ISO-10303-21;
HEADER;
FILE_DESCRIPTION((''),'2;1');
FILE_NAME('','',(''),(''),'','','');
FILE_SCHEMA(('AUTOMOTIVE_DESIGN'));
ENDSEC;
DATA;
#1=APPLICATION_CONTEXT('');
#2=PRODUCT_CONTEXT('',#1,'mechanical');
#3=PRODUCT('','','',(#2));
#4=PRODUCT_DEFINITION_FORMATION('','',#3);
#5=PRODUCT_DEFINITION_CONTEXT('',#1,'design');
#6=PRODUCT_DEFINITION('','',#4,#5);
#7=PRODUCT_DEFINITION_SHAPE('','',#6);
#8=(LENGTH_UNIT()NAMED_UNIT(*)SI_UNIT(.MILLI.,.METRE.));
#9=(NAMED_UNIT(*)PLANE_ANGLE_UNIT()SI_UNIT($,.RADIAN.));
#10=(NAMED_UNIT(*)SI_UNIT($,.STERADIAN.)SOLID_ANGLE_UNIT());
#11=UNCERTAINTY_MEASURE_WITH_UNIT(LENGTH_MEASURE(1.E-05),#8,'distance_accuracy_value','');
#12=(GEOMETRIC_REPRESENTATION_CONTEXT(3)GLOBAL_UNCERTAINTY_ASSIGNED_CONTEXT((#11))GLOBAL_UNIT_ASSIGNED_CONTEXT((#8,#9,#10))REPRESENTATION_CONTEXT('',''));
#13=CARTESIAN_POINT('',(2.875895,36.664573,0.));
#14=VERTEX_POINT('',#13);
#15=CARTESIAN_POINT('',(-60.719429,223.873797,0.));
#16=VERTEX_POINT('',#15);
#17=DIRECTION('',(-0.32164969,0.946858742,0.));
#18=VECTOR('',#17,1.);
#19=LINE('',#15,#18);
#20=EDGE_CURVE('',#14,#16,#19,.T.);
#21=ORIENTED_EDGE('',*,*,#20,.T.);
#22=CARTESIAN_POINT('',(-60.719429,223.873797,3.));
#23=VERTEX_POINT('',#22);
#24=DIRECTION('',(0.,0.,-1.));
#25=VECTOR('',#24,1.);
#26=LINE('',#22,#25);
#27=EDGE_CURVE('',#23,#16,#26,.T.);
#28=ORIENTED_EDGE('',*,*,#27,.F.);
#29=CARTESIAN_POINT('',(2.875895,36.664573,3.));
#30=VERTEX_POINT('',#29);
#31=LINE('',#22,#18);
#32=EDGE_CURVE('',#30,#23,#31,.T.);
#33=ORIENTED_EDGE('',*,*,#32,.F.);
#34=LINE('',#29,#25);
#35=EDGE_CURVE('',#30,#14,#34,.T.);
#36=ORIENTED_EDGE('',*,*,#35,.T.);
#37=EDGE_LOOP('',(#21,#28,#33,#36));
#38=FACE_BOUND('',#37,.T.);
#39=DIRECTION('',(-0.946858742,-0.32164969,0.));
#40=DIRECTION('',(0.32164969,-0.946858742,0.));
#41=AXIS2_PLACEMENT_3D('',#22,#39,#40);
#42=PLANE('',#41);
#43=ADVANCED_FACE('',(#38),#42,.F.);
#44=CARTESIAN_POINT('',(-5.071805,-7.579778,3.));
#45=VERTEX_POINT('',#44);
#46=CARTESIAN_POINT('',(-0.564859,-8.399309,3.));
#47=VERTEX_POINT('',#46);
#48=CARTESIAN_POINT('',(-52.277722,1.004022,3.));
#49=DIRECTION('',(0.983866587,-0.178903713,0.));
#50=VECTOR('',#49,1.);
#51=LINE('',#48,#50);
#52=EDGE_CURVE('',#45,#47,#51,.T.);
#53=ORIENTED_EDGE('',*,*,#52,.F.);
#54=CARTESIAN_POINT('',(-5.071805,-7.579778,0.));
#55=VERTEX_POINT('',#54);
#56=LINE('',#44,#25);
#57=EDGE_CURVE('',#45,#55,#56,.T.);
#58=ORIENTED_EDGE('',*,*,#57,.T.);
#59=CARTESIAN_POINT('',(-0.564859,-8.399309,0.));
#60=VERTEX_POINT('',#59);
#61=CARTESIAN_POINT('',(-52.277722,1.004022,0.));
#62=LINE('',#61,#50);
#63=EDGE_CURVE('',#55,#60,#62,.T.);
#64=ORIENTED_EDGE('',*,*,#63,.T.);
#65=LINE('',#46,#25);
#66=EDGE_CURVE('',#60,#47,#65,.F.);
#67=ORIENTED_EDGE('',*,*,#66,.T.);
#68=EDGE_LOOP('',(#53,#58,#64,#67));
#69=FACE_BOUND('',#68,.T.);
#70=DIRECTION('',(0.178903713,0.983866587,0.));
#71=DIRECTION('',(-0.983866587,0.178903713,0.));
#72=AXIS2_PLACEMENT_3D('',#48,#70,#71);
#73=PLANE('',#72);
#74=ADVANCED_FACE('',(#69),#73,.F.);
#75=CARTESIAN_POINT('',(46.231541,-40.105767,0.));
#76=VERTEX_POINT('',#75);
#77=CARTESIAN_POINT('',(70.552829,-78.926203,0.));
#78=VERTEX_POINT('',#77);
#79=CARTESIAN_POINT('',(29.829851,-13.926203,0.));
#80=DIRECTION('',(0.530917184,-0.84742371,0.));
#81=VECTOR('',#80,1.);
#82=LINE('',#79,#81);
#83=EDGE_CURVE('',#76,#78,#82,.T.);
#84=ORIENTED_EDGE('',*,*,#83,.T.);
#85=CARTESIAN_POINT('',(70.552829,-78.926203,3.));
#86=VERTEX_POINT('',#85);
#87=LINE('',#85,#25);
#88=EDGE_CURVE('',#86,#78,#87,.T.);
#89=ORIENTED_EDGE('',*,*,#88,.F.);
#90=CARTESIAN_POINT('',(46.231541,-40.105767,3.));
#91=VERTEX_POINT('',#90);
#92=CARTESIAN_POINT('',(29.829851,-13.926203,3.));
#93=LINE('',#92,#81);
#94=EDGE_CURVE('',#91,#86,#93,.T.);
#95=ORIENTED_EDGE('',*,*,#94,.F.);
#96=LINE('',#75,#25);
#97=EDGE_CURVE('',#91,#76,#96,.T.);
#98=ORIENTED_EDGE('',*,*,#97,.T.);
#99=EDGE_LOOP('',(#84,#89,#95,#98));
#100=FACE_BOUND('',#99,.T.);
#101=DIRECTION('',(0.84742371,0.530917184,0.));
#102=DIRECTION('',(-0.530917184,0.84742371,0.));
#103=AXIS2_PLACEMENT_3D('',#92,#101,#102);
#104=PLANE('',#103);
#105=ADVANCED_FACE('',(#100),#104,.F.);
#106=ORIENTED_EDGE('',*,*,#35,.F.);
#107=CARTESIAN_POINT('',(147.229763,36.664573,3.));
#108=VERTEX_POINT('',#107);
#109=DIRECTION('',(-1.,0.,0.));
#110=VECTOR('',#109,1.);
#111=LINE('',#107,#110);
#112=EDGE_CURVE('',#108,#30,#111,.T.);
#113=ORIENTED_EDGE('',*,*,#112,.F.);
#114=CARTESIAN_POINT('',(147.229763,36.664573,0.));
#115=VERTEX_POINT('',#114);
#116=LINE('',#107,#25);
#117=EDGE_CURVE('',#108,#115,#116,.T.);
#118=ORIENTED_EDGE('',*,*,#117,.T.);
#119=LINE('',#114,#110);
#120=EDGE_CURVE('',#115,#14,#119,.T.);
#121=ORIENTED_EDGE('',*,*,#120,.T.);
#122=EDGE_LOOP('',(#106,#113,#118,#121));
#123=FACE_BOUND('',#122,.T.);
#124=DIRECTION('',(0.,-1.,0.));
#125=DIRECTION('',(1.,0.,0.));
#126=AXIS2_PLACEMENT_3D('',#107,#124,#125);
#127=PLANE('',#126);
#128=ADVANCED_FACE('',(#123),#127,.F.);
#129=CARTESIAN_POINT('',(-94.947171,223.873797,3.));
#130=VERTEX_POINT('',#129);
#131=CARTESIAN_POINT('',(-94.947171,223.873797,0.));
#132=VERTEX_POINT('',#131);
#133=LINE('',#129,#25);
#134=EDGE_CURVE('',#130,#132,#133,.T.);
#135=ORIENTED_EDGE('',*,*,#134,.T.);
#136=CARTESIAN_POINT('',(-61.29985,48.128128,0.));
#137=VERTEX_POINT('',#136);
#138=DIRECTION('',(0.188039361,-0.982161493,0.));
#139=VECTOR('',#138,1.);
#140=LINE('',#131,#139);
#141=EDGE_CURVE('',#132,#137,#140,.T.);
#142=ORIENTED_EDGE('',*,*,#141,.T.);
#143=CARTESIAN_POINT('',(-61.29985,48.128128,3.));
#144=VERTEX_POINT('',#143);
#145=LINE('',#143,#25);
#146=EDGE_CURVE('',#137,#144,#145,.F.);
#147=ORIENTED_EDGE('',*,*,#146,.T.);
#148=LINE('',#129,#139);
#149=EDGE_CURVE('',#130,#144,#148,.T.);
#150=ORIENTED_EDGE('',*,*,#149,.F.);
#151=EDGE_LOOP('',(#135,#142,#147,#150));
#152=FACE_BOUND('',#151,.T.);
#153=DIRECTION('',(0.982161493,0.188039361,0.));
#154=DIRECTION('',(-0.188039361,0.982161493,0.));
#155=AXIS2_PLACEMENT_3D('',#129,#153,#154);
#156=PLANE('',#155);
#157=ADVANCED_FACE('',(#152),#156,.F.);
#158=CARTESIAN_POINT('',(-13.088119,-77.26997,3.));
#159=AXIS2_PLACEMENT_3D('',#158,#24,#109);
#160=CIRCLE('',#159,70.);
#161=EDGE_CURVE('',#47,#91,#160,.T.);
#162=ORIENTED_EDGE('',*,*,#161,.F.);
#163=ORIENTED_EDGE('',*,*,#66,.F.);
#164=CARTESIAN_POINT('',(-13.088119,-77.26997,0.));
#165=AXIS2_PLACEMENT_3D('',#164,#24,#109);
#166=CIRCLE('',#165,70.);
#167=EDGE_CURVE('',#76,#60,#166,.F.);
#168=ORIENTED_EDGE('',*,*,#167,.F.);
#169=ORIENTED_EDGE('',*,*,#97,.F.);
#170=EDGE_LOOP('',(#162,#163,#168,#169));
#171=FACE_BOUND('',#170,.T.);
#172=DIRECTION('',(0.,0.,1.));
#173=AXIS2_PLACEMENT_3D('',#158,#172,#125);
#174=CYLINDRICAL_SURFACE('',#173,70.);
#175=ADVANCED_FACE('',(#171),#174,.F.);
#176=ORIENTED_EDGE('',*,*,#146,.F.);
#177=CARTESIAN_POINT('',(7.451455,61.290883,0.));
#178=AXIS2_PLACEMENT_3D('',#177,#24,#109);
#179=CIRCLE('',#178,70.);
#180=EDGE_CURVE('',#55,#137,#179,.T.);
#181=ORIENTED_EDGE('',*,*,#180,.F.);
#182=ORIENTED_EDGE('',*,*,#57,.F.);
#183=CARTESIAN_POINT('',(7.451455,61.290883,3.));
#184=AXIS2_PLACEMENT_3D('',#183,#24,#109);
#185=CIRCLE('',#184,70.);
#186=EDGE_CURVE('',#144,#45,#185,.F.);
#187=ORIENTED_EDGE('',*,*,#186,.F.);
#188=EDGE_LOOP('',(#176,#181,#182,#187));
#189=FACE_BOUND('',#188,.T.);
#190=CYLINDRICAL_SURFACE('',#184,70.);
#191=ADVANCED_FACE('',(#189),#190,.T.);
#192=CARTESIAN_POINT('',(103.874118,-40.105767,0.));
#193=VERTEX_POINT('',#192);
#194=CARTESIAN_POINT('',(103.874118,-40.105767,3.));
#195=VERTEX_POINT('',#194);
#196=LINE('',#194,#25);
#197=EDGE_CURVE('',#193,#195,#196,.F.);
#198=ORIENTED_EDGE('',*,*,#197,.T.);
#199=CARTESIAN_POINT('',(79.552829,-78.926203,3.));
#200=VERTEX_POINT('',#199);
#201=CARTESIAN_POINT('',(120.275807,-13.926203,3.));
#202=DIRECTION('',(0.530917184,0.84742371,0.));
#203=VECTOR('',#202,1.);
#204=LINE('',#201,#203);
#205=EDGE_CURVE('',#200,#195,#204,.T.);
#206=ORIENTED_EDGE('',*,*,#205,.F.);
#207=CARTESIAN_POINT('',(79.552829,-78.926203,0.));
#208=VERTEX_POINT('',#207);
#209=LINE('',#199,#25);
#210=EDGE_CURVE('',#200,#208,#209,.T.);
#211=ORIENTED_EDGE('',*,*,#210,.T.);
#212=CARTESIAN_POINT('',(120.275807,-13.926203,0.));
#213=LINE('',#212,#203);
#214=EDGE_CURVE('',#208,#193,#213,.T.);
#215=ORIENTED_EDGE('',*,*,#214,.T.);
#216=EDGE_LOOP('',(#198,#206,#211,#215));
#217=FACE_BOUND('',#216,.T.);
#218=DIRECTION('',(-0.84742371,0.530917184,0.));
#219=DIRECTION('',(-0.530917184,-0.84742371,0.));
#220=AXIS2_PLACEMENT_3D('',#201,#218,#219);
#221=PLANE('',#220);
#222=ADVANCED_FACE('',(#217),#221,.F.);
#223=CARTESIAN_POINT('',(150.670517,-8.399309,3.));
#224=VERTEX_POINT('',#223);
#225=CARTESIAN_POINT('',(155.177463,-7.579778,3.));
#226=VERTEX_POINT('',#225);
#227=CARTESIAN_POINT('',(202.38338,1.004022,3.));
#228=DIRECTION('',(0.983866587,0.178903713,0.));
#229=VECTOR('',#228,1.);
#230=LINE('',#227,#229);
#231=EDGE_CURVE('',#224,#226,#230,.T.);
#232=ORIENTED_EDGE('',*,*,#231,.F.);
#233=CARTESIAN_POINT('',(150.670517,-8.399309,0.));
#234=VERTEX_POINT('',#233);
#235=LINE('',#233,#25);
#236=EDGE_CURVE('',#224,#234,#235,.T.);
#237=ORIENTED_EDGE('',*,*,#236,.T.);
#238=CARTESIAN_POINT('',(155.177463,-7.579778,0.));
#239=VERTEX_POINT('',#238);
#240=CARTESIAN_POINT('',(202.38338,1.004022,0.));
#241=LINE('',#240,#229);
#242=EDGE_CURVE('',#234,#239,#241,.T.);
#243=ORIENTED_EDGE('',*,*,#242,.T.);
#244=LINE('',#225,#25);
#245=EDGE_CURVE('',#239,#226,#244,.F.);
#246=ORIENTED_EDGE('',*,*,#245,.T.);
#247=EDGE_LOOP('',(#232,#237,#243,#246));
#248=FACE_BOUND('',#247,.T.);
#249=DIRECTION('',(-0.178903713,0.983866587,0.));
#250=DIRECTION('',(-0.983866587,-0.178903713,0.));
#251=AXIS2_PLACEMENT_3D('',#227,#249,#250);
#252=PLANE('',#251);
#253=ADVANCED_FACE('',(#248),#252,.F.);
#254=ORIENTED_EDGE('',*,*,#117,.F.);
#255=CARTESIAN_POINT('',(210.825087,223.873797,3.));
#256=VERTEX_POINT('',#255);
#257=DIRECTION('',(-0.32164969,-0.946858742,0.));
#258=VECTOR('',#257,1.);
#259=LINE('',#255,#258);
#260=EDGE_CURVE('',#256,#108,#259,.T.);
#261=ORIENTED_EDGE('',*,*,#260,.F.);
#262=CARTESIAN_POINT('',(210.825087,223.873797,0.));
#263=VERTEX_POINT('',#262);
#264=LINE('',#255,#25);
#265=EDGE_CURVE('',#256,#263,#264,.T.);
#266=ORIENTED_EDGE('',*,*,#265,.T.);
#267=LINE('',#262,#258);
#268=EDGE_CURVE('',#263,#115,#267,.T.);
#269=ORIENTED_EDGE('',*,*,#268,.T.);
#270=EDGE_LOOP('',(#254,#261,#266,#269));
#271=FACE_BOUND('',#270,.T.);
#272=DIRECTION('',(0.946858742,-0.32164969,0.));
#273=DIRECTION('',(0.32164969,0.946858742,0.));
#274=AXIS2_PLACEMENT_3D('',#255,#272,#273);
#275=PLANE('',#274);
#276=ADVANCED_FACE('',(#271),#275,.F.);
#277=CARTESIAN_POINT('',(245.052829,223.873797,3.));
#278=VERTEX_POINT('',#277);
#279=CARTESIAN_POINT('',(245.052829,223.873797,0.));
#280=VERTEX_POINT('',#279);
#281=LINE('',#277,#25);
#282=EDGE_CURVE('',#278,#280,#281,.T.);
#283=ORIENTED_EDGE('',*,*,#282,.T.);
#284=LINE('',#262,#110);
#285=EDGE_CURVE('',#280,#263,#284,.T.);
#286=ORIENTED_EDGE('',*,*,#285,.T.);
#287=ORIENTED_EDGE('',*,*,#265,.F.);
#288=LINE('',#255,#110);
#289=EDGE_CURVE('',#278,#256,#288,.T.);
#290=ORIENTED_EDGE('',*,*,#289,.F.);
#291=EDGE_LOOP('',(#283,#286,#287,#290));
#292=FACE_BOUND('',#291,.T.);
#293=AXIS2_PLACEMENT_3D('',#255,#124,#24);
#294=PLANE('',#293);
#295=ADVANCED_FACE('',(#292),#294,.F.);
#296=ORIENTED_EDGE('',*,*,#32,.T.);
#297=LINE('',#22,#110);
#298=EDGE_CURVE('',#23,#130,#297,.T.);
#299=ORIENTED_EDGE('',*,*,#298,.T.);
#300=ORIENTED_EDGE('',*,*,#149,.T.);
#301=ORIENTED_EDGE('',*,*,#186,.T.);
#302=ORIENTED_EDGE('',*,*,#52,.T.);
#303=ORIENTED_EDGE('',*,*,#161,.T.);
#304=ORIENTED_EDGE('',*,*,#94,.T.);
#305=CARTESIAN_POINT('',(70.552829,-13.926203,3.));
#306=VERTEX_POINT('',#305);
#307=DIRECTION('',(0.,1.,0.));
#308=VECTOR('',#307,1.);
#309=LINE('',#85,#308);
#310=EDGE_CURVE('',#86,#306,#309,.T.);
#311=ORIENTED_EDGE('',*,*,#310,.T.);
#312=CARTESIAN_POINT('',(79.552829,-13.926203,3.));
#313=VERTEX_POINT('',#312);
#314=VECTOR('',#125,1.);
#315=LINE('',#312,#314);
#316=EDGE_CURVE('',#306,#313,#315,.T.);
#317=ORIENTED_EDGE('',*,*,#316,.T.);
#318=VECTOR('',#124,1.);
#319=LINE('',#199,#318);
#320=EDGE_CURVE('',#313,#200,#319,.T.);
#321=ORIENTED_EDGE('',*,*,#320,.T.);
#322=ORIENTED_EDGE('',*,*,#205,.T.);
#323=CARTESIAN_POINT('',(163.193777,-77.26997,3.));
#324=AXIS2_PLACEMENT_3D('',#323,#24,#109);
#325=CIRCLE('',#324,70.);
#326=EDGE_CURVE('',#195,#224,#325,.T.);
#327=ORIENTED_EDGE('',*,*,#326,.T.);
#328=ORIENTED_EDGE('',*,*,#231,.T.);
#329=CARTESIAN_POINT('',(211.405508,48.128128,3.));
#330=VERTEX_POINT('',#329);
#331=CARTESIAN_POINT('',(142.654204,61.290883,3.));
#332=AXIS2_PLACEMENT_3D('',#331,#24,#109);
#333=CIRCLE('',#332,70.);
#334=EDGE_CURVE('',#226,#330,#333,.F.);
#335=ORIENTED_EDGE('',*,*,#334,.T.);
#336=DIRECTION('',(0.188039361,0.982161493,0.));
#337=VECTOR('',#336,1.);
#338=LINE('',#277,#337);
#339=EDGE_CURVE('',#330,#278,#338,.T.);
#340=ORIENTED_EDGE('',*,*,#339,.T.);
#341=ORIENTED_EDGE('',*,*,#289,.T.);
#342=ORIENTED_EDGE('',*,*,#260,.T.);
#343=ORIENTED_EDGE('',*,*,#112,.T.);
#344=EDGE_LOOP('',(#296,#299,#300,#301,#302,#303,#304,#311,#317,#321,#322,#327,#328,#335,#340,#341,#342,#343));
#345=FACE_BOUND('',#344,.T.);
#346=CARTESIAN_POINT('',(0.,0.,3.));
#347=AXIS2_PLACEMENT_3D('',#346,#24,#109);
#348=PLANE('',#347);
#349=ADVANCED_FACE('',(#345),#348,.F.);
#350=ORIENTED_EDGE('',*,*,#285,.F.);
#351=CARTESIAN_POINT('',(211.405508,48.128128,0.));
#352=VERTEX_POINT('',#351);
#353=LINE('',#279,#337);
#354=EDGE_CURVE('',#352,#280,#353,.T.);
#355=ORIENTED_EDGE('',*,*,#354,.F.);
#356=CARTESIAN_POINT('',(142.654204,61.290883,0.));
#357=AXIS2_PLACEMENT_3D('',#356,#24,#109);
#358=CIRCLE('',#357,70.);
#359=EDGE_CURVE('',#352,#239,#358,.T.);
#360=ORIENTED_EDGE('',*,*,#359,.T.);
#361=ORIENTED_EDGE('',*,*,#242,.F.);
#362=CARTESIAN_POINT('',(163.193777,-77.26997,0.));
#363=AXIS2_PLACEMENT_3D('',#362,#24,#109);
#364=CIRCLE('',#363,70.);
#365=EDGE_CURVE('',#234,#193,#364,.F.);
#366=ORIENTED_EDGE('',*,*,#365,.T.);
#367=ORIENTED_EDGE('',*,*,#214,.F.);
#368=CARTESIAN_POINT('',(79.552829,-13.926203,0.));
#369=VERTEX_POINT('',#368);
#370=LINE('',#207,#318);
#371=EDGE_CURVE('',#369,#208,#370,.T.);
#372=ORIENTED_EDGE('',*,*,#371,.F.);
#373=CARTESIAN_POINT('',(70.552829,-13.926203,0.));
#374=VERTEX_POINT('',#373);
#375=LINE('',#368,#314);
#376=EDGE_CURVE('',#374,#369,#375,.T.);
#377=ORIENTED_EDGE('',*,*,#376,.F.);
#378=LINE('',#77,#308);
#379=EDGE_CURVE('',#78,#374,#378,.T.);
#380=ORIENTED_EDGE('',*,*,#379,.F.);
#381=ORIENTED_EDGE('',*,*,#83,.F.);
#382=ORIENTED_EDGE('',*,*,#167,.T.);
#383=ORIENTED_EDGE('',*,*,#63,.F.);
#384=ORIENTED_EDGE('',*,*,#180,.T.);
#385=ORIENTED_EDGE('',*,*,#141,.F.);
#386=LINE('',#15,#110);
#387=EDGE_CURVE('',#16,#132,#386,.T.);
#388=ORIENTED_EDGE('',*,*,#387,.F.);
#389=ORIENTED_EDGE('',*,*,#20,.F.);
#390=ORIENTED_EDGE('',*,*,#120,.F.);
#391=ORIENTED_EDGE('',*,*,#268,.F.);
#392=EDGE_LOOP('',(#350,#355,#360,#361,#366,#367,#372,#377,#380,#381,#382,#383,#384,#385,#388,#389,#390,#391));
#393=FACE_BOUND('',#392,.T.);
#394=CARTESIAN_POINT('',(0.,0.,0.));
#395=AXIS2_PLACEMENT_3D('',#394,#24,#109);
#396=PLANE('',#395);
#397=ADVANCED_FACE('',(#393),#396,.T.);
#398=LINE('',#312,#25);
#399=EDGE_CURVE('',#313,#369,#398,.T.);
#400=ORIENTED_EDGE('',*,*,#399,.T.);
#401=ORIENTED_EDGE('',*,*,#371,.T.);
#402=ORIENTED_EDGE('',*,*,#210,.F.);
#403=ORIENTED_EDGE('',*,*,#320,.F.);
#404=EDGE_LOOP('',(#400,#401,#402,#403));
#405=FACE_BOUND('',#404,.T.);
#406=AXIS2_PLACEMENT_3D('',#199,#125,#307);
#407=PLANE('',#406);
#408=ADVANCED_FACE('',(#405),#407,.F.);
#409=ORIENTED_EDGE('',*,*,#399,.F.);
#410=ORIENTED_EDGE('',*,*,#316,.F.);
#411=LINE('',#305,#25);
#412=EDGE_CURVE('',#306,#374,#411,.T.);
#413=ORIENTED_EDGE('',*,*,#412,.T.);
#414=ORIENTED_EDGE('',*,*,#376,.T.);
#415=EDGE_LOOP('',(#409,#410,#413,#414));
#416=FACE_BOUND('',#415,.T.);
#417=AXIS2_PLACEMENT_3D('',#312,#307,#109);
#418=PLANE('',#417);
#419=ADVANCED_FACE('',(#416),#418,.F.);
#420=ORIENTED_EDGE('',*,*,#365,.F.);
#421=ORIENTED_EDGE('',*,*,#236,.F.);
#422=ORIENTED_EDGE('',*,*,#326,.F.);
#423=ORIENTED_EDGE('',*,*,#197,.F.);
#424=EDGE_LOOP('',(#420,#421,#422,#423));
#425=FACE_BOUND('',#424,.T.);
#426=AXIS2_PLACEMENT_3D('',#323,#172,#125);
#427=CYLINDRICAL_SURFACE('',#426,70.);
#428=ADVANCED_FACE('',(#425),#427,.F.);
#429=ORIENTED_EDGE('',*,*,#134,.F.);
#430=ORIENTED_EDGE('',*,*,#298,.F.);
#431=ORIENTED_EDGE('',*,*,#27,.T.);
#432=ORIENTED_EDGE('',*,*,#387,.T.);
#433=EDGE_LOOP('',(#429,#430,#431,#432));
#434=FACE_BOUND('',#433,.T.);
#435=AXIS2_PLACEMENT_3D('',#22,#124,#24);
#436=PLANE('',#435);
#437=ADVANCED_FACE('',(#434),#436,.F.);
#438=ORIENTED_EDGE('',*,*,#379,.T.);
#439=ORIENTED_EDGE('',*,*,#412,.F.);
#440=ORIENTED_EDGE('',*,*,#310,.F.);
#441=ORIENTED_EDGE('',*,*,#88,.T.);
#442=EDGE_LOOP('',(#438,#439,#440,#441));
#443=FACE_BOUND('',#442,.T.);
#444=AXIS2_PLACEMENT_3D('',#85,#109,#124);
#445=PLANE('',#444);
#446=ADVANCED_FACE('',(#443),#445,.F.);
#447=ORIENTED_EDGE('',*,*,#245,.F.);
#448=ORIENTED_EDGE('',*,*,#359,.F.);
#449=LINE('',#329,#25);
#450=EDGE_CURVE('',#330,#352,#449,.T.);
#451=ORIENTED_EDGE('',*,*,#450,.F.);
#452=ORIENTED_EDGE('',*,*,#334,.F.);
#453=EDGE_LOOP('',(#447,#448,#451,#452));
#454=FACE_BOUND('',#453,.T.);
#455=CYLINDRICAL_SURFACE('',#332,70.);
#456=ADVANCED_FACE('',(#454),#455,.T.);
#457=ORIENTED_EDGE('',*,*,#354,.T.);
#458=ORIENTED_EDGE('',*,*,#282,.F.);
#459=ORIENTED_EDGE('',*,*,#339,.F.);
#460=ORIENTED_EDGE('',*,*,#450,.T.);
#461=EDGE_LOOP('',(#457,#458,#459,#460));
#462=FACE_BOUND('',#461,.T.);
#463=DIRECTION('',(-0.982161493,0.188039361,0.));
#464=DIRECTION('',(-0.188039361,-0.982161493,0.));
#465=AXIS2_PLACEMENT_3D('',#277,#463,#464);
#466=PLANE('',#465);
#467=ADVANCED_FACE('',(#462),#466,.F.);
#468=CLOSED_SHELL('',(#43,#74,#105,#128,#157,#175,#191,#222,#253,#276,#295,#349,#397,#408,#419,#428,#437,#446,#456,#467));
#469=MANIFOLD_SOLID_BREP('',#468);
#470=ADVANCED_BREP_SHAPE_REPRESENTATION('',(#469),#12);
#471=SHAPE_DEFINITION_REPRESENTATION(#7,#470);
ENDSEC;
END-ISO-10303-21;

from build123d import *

# Parameters (mm, degrees)
BOSS_EXTRU_3_DEPTH = 3
CONG_2_R           = 70


with BuildPart() as part:
    # Esquisse3 → Boss.-Extru.3 (new body)
    with BuildSketch(Plane.XY):
        Polygon((-52.277721614, 1.004022038), (29.829851332, -13.926203114), (70.552829187, -78.926203114), (70.552829187, -13.926203114), (79.552829187, -13.926203114), (79.552829187, -78.926203114), (120.275807042, -13.926203114), (202.383379989, 1.004022038), (245.052829187, 223.873796886), (210.825087382, 223.873796886), (147.229762937, 36.664572693), (2.875895437, 36.664572693), (-60.719429007, 223.873796886), (-94.947170813, 223.873796886), align=None)
    extrude(amount=BOSS_EXTRU_3_DEPTH)

    # Congé2
    cong_2_edges = [part.edges().sort_by_distance(p)[0] for p in [
        (202.383379989, 1.004022038, 1.5),
        (120.275807042, -13.926203114, 1.5),
        (29.829851332, -13.926203114, 1.5),
        (-52.277721614, 1.004022038, 1.5),
    ]]
    fillet(cong_2_edges, radius=CONG_2_R)


solid = part.part
